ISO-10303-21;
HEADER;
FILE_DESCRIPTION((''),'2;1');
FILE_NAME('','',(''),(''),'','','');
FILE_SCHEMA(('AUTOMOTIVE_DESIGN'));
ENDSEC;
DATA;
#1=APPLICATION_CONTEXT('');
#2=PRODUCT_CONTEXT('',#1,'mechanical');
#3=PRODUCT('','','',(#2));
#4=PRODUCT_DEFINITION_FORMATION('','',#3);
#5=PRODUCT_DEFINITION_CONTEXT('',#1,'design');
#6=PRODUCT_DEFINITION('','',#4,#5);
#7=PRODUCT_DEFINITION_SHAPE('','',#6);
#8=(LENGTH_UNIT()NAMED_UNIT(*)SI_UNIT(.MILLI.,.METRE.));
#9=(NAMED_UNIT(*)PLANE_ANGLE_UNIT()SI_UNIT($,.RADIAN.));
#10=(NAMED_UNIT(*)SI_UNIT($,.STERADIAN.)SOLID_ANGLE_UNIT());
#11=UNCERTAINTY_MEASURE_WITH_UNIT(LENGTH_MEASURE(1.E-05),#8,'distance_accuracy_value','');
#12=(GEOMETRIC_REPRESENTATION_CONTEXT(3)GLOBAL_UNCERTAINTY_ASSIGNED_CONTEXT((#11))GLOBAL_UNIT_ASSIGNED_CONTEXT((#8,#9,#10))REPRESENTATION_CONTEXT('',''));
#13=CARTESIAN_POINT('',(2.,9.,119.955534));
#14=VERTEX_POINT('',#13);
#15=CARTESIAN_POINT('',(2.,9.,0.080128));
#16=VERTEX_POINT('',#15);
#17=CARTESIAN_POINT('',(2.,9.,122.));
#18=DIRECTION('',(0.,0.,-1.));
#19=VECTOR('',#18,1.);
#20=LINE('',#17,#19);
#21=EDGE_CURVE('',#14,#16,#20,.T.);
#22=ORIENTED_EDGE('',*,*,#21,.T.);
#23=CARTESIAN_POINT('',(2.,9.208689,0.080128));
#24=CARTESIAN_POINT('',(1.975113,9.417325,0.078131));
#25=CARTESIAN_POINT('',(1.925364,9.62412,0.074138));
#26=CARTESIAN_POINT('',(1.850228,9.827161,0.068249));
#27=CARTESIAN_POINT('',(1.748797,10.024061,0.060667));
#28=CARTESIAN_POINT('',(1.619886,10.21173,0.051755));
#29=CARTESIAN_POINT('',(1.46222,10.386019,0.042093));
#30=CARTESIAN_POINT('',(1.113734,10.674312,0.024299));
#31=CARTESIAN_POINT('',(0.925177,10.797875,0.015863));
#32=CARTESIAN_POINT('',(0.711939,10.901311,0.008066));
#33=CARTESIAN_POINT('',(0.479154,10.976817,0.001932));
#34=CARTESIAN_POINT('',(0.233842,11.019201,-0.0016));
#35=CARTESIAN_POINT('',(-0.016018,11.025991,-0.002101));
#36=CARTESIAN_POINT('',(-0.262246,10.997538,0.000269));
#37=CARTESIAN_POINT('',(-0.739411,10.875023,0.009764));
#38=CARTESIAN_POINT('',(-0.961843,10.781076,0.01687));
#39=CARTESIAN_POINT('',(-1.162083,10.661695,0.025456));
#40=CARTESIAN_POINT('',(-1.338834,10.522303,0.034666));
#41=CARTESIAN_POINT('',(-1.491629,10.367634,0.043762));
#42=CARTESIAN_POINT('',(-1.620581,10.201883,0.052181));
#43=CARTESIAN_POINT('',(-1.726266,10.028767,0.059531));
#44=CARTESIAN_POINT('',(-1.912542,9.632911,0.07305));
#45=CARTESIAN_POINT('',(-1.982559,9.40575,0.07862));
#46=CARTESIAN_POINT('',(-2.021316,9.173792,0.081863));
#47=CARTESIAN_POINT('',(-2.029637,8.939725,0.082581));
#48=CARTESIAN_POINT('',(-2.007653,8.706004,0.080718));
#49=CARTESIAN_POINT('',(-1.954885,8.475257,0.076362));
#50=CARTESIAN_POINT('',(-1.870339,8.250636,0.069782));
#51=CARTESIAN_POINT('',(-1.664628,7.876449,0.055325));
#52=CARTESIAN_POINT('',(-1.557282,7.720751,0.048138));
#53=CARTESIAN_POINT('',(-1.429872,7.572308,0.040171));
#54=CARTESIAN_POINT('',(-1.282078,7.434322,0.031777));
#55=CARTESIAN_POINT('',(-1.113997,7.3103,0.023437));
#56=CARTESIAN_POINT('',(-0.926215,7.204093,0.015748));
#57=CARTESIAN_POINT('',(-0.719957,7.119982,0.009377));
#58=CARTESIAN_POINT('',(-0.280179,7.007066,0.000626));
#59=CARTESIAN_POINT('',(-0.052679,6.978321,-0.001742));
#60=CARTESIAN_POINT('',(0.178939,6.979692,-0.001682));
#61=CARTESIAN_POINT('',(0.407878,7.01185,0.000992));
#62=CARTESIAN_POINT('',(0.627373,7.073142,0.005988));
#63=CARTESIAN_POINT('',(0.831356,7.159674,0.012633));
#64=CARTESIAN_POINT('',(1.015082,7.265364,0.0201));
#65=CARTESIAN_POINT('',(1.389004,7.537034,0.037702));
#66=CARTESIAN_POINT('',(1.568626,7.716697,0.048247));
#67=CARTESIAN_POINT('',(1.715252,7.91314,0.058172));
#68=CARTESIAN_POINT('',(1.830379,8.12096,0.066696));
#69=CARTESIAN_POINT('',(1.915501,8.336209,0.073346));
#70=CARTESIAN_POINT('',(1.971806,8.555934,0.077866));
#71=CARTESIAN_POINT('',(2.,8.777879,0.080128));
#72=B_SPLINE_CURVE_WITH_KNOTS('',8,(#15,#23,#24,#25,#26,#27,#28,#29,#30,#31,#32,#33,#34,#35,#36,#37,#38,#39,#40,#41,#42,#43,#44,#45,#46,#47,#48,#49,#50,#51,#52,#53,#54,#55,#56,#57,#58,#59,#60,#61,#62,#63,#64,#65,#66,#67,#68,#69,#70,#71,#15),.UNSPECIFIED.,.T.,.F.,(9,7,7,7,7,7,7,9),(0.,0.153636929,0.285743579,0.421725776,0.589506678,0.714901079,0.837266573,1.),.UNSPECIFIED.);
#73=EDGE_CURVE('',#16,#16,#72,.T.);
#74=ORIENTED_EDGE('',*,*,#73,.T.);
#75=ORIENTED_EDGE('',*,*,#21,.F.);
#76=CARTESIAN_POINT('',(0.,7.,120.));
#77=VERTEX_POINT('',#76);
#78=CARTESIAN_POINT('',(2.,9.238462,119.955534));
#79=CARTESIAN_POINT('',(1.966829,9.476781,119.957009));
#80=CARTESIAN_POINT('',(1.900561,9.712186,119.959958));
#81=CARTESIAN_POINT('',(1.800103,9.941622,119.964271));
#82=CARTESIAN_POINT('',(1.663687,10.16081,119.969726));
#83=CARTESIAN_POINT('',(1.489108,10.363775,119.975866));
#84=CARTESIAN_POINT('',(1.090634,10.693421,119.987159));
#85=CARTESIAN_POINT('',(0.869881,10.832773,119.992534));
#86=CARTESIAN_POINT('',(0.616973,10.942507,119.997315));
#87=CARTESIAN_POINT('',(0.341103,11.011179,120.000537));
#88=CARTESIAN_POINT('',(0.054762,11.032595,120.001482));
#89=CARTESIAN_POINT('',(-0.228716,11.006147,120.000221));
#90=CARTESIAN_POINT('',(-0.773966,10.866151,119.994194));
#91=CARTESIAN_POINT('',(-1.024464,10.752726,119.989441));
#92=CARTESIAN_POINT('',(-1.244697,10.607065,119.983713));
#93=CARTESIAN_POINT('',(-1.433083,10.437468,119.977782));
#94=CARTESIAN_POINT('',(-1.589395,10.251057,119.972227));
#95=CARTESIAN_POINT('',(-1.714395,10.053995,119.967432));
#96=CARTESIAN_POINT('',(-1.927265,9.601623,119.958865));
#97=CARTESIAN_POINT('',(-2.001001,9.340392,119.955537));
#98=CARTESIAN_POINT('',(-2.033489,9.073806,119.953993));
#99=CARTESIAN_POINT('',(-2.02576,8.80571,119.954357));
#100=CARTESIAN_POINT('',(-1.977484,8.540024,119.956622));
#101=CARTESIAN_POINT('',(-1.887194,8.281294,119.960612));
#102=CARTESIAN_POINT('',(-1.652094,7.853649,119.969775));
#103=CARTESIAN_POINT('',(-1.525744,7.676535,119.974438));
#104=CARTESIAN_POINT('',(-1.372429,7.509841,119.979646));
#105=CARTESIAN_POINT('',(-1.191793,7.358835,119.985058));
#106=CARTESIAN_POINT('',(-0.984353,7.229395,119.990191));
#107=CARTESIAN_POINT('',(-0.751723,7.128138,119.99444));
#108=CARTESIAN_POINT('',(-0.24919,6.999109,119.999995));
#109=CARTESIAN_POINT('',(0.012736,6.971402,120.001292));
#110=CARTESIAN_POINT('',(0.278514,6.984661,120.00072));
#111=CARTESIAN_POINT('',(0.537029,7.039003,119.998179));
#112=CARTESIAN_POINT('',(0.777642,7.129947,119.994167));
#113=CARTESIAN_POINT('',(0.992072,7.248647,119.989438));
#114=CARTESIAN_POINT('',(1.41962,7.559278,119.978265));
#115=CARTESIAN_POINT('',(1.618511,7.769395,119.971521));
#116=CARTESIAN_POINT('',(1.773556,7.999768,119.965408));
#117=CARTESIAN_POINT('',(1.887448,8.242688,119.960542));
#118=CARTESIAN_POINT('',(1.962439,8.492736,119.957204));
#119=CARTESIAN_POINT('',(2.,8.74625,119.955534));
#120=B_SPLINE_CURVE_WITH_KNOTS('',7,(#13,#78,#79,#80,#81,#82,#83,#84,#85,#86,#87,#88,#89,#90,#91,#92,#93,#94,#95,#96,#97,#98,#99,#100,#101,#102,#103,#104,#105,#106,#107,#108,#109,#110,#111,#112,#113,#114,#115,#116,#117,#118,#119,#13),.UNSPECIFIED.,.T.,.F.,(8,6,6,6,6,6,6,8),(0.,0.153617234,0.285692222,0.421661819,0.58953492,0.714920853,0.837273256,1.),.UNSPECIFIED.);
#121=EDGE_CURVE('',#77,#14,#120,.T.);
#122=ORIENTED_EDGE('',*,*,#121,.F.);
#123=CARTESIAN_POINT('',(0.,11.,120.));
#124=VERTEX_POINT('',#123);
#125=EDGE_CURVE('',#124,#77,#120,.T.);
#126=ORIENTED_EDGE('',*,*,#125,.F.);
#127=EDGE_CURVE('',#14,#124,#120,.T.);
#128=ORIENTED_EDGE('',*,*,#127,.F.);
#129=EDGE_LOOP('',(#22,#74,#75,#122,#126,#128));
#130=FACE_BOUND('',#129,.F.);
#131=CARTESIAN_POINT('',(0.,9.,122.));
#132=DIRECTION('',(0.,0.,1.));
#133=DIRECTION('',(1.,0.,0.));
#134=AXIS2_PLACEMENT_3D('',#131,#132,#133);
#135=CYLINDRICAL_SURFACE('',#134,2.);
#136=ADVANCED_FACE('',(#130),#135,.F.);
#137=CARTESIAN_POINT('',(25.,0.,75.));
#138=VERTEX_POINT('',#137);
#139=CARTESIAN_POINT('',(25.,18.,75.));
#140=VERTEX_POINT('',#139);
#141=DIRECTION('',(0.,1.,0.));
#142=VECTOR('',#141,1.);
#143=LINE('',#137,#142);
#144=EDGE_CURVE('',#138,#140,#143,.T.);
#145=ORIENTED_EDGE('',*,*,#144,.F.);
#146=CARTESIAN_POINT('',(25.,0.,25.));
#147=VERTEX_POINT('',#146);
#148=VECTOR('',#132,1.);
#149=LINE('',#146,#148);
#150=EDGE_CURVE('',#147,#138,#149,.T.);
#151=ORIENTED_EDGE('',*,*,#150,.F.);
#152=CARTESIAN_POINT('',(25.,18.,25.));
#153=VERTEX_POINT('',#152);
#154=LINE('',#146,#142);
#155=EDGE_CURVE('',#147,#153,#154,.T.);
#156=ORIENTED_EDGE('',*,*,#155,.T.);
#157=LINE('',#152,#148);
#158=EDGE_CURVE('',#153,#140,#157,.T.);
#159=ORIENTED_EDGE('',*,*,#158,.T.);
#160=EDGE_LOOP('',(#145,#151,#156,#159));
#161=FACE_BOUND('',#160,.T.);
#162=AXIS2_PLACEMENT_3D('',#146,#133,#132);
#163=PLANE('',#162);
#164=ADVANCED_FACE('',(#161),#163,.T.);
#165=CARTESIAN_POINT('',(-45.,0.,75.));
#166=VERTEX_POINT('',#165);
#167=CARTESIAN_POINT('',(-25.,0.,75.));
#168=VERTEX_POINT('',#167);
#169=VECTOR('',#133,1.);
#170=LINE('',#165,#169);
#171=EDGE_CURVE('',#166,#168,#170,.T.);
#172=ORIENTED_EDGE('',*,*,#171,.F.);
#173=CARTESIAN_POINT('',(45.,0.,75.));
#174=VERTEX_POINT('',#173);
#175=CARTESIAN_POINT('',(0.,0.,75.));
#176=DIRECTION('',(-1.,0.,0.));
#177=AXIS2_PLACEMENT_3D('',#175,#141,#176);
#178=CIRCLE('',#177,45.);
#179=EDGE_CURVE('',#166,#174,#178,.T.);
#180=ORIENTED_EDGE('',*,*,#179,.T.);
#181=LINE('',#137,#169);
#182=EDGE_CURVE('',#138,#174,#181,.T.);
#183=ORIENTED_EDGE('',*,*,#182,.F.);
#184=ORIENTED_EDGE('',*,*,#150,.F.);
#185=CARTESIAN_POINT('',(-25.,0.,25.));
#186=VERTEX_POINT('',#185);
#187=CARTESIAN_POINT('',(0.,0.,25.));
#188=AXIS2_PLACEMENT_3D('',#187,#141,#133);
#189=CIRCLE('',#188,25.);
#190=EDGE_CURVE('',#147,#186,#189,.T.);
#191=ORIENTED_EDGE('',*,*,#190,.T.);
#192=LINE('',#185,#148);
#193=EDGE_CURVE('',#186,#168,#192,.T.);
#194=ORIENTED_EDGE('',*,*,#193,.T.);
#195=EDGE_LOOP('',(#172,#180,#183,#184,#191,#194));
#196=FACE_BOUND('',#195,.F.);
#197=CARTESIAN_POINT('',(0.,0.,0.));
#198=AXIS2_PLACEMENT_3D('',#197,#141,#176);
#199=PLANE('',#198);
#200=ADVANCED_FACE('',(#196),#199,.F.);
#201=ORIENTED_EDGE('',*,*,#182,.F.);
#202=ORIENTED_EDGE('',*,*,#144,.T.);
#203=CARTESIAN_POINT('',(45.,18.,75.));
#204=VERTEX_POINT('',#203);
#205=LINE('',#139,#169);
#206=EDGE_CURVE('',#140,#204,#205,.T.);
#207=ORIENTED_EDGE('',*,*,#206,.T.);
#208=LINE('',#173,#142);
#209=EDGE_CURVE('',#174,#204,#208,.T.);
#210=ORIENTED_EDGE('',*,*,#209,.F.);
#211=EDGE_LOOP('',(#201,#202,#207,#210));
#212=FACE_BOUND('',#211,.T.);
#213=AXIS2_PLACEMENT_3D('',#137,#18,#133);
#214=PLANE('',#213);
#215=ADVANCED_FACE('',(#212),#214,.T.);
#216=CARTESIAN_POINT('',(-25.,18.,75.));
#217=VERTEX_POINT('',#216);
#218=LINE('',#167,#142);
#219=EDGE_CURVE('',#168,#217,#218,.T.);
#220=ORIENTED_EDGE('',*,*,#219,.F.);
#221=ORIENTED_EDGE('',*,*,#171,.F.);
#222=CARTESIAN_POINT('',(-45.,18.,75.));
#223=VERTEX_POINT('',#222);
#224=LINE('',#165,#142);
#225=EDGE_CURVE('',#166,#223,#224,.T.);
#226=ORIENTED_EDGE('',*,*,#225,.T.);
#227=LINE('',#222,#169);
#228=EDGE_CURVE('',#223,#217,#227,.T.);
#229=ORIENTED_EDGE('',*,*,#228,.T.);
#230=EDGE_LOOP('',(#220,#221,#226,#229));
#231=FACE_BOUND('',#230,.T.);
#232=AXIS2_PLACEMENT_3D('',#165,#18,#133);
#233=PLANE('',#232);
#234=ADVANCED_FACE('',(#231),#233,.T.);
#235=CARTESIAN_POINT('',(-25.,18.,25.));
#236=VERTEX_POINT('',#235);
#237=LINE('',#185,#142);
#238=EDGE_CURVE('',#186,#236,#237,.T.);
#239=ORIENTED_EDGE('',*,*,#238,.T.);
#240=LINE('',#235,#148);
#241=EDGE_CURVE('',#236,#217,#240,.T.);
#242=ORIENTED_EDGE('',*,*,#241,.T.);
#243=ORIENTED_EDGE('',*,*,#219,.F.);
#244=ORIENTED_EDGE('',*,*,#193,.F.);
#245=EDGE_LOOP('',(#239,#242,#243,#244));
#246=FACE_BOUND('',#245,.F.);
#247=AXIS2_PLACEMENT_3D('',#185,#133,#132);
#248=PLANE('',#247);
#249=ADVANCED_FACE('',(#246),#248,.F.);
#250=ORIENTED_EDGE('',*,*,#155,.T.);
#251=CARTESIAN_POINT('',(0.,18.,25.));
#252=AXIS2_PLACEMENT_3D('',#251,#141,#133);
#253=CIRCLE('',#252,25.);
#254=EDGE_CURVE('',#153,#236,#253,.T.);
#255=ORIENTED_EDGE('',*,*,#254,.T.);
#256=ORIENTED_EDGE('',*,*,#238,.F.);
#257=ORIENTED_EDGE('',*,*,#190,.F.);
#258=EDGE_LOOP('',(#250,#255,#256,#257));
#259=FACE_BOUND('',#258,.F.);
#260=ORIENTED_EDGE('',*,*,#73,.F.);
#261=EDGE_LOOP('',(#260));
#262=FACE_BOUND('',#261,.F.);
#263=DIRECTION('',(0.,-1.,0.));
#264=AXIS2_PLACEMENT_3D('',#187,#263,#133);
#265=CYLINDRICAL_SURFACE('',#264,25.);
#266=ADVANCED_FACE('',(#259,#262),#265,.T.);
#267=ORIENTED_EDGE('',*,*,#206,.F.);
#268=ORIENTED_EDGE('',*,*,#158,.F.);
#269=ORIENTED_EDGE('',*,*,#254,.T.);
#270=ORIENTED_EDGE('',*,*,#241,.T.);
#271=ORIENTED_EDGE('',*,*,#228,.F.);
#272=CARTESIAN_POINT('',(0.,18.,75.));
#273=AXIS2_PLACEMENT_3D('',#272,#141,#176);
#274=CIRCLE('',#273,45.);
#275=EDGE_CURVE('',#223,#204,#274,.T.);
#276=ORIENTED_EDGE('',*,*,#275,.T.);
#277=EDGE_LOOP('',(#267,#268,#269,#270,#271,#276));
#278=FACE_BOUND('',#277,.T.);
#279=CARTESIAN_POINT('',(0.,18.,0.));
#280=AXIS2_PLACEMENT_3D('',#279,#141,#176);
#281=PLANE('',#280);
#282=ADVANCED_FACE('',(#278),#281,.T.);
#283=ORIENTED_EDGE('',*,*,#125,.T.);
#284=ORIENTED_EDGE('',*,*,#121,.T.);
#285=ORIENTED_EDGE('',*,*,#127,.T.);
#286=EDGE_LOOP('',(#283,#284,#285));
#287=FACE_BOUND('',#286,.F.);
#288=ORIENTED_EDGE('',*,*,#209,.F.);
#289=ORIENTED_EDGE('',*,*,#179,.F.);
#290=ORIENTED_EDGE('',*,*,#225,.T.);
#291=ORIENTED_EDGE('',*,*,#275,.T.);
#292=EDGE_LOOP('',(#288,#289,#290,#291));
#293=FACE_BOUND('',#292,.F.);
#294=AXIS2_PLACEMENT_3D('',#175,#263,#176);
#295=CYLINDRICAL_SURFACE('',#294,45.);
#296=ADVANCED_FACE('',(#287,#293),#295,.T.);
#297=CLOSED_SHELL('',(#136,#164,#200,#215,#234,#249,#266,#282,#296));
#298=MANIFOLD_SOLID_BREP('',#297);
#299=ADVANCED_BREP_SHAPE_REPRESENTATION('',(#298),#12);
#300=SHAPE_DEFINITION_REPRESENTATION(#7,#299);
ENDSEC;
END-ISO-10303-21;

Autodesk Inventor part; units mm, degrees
ref_plane "YZ Plane" through (0, 0, 0) normal (1, 0, 0) x (0, 1, 0)
ref_plane "XZ Plane" through (0, 0, 0) normal (0, 1, 0) x (-1, 0, 0)
sketch "Boceto1" plane through (0, 0, 0) normal (0, 1, 0) x (-1, 0, 0)
  arc A0 (-25, 25) -> (25, 25) centre (0, 25) ccw
  arc A1 (45, 75) -> (-45, 75) centre (0, 75) ccw
  line L0 (25, 25) -> (25, 75)
  line L1 (-25, 25) -> (-25, 75)
  line L2 (45, 75) -> (25, 75)
  line L3 (-25, 75) -> (-45, 75)
  point P0 (0, 0)
  dimension "d3" = 50
  dimension "d4" = 90
extrude "Extrusión1" add sketch "Boceto1" along normal blind 18
ref_plane "Plano de trabajo2" through (0, 0, 120) normal (0, 0, -1) x (-1, 0, 0)
sketch "Boceto3" plane through (0, 0, 120) normal (0, 0, -1) x (-1, 0, 0)
  circle A0 centre (0, 9) radius 2
  line L0 (45, 18) -> (-45, 18) projected
  point P0 (0, 0)
  dimension "d13" = 4
  dimension "d14" = 9
extrude "Extrusión3" add sketch "Boceto3" against normal blind 2
sketch "Boceto4" plane through (0, 9, 122) normal (0, 0, 1) x (1, 0, 0)
  circle A0 centre (0, 0) radius 2
  point P0 (0, -9)
  dimension "d17" = 4
extrude "Extrusión4" cut sketch "Boceto4" against normal blind 157.75
properties part number "APM_001-1"
